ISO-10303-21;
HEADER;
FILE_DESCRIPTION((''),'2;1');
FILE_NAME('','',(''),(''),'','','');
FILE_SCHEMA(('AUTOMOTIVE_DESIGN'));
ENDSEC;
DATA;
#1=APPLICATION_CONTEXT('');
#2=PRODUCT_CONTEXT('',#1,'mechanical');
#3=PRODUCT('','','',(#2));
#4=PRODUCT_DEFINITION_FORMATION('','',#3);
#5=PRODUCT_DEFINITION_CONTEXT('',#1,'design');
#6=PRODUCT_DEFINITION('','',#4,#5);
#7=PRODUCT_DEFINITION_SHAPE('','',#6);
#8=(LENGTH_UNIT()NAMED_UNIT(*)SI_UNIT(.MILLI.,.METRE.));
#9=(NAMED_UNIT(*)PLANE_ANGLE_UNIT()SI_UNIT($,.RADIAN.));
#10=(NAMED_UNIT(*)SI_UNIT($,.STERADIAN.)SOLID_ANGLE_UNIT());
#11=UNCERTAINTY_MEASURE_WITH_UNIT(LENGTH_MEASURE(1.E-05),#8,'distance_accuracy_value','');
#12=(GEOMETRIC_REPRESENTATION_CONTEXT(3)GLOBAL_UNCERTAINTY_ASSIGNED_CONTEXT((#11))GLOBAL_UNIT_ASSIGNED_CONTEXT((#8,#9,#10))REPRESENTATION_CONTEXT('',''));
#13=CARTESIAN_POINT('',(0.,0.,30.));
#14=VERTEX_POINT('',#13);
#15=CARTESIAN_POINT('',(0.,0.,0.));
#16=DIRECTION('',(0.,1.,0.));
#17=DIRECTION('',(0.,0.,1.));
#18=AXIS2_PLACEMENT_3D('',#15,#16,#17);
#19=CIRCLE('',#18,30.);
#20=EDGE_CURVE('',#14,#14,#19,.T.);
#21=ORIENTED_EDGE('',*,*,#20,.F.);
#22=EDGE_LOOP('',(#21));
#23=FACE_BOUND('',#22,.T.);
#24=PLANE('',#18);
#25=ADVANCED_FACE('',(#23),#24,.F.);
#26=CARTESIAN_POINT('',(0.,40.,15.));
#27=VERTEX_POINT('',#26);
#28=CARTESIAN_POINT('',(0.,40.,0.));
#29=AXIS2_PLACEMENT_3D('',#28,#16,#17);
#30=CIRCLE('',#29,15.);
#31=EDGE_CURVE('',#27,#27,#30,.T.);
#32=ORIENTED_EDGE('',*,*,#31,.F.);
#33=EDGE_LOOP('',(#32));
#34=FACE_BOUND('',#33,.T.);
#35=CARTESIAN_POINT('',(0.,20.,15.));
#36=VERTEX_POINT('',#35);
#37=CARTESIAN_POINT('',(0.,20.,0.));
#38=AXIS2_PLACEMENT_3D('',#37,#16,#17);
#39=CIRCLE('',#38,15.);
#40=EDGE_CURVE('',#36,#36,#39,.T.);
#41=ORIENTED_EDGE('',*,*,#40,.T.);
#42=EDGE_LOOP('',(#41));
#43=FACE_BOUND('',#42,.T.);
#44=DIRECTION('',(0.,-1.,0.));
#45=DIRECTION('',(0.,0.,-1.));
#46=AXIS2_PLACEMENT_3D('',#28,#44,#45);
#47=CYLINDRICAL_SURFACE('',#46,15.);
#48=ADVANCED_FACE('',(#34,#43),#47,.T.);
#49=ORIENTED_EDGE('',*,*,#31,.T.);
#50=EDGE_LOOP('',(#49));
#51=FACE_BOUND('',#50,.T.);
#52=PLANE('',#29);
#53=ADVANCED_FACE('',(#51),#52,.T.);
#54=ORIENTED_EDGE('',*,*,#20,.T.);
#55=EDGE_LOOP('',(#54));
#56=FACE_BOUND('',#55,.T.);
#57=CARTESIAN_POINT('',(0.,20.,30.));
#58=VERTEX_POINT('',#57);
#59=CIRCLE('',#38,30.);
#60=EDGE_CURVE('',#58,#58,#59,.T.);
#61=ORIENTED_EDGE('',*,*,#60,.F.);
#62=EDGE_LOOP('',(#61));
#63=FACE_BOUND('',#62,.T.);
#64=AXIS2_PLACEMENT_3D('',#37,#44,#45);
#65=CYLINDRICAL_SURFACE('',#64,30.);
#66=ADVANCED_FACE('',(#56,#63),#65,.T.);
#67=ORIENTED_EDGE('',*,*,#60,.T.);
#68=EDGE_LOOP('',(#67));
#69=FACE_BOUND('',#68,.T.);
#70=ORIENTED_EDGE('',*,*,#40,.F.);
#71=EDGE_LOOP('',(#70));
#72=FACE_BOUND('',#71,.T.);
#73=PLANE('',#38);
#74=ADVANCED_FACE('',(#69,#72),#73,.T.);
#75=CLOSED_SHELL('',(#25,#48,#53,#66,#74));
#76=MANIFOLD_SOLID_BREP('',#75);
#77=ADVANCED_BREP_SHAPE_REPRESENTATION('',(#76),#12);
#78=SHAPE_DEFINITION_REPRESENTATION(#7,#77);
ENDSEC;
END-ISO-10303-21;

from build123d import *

# Parameters (mm, degrees)
SKETCH_1_R      = 30
EXTRUDE_1_DEPTH = 20
SKETCH_2_R      = 15
EXTRUDE_2_DEPTH = 20


with BuildPart() as part:
    # Эскиз1 → Бобышка-Вытянуть1 (new body)
    with BuildSketch(Plane(origin=(0, 0, 0), x_dir=(1, 0, 0), z_dir=(0, 1, 0))):
        with Locations(Location((0, 0, 0), (0, 0, 270))):
            Circle(SKETCH_1_R)
    extrude(amount=EXTRUDE_1_DEPTH)

    # Эскиз2 → Бобышка-Вытянуть2 (add)
    with BuildSketch(Plane(origin=(0, 20, 0), x_dir=(1, 0, 0), z_dir=(0, 1, 0))):
        with Locations(Location((0, 0, 0), (0, 0, 270))):
            Circle(SKETCH_2_R)
    extrude(amount=EXTRUDE_2_DEPTH)


solid = part.part
